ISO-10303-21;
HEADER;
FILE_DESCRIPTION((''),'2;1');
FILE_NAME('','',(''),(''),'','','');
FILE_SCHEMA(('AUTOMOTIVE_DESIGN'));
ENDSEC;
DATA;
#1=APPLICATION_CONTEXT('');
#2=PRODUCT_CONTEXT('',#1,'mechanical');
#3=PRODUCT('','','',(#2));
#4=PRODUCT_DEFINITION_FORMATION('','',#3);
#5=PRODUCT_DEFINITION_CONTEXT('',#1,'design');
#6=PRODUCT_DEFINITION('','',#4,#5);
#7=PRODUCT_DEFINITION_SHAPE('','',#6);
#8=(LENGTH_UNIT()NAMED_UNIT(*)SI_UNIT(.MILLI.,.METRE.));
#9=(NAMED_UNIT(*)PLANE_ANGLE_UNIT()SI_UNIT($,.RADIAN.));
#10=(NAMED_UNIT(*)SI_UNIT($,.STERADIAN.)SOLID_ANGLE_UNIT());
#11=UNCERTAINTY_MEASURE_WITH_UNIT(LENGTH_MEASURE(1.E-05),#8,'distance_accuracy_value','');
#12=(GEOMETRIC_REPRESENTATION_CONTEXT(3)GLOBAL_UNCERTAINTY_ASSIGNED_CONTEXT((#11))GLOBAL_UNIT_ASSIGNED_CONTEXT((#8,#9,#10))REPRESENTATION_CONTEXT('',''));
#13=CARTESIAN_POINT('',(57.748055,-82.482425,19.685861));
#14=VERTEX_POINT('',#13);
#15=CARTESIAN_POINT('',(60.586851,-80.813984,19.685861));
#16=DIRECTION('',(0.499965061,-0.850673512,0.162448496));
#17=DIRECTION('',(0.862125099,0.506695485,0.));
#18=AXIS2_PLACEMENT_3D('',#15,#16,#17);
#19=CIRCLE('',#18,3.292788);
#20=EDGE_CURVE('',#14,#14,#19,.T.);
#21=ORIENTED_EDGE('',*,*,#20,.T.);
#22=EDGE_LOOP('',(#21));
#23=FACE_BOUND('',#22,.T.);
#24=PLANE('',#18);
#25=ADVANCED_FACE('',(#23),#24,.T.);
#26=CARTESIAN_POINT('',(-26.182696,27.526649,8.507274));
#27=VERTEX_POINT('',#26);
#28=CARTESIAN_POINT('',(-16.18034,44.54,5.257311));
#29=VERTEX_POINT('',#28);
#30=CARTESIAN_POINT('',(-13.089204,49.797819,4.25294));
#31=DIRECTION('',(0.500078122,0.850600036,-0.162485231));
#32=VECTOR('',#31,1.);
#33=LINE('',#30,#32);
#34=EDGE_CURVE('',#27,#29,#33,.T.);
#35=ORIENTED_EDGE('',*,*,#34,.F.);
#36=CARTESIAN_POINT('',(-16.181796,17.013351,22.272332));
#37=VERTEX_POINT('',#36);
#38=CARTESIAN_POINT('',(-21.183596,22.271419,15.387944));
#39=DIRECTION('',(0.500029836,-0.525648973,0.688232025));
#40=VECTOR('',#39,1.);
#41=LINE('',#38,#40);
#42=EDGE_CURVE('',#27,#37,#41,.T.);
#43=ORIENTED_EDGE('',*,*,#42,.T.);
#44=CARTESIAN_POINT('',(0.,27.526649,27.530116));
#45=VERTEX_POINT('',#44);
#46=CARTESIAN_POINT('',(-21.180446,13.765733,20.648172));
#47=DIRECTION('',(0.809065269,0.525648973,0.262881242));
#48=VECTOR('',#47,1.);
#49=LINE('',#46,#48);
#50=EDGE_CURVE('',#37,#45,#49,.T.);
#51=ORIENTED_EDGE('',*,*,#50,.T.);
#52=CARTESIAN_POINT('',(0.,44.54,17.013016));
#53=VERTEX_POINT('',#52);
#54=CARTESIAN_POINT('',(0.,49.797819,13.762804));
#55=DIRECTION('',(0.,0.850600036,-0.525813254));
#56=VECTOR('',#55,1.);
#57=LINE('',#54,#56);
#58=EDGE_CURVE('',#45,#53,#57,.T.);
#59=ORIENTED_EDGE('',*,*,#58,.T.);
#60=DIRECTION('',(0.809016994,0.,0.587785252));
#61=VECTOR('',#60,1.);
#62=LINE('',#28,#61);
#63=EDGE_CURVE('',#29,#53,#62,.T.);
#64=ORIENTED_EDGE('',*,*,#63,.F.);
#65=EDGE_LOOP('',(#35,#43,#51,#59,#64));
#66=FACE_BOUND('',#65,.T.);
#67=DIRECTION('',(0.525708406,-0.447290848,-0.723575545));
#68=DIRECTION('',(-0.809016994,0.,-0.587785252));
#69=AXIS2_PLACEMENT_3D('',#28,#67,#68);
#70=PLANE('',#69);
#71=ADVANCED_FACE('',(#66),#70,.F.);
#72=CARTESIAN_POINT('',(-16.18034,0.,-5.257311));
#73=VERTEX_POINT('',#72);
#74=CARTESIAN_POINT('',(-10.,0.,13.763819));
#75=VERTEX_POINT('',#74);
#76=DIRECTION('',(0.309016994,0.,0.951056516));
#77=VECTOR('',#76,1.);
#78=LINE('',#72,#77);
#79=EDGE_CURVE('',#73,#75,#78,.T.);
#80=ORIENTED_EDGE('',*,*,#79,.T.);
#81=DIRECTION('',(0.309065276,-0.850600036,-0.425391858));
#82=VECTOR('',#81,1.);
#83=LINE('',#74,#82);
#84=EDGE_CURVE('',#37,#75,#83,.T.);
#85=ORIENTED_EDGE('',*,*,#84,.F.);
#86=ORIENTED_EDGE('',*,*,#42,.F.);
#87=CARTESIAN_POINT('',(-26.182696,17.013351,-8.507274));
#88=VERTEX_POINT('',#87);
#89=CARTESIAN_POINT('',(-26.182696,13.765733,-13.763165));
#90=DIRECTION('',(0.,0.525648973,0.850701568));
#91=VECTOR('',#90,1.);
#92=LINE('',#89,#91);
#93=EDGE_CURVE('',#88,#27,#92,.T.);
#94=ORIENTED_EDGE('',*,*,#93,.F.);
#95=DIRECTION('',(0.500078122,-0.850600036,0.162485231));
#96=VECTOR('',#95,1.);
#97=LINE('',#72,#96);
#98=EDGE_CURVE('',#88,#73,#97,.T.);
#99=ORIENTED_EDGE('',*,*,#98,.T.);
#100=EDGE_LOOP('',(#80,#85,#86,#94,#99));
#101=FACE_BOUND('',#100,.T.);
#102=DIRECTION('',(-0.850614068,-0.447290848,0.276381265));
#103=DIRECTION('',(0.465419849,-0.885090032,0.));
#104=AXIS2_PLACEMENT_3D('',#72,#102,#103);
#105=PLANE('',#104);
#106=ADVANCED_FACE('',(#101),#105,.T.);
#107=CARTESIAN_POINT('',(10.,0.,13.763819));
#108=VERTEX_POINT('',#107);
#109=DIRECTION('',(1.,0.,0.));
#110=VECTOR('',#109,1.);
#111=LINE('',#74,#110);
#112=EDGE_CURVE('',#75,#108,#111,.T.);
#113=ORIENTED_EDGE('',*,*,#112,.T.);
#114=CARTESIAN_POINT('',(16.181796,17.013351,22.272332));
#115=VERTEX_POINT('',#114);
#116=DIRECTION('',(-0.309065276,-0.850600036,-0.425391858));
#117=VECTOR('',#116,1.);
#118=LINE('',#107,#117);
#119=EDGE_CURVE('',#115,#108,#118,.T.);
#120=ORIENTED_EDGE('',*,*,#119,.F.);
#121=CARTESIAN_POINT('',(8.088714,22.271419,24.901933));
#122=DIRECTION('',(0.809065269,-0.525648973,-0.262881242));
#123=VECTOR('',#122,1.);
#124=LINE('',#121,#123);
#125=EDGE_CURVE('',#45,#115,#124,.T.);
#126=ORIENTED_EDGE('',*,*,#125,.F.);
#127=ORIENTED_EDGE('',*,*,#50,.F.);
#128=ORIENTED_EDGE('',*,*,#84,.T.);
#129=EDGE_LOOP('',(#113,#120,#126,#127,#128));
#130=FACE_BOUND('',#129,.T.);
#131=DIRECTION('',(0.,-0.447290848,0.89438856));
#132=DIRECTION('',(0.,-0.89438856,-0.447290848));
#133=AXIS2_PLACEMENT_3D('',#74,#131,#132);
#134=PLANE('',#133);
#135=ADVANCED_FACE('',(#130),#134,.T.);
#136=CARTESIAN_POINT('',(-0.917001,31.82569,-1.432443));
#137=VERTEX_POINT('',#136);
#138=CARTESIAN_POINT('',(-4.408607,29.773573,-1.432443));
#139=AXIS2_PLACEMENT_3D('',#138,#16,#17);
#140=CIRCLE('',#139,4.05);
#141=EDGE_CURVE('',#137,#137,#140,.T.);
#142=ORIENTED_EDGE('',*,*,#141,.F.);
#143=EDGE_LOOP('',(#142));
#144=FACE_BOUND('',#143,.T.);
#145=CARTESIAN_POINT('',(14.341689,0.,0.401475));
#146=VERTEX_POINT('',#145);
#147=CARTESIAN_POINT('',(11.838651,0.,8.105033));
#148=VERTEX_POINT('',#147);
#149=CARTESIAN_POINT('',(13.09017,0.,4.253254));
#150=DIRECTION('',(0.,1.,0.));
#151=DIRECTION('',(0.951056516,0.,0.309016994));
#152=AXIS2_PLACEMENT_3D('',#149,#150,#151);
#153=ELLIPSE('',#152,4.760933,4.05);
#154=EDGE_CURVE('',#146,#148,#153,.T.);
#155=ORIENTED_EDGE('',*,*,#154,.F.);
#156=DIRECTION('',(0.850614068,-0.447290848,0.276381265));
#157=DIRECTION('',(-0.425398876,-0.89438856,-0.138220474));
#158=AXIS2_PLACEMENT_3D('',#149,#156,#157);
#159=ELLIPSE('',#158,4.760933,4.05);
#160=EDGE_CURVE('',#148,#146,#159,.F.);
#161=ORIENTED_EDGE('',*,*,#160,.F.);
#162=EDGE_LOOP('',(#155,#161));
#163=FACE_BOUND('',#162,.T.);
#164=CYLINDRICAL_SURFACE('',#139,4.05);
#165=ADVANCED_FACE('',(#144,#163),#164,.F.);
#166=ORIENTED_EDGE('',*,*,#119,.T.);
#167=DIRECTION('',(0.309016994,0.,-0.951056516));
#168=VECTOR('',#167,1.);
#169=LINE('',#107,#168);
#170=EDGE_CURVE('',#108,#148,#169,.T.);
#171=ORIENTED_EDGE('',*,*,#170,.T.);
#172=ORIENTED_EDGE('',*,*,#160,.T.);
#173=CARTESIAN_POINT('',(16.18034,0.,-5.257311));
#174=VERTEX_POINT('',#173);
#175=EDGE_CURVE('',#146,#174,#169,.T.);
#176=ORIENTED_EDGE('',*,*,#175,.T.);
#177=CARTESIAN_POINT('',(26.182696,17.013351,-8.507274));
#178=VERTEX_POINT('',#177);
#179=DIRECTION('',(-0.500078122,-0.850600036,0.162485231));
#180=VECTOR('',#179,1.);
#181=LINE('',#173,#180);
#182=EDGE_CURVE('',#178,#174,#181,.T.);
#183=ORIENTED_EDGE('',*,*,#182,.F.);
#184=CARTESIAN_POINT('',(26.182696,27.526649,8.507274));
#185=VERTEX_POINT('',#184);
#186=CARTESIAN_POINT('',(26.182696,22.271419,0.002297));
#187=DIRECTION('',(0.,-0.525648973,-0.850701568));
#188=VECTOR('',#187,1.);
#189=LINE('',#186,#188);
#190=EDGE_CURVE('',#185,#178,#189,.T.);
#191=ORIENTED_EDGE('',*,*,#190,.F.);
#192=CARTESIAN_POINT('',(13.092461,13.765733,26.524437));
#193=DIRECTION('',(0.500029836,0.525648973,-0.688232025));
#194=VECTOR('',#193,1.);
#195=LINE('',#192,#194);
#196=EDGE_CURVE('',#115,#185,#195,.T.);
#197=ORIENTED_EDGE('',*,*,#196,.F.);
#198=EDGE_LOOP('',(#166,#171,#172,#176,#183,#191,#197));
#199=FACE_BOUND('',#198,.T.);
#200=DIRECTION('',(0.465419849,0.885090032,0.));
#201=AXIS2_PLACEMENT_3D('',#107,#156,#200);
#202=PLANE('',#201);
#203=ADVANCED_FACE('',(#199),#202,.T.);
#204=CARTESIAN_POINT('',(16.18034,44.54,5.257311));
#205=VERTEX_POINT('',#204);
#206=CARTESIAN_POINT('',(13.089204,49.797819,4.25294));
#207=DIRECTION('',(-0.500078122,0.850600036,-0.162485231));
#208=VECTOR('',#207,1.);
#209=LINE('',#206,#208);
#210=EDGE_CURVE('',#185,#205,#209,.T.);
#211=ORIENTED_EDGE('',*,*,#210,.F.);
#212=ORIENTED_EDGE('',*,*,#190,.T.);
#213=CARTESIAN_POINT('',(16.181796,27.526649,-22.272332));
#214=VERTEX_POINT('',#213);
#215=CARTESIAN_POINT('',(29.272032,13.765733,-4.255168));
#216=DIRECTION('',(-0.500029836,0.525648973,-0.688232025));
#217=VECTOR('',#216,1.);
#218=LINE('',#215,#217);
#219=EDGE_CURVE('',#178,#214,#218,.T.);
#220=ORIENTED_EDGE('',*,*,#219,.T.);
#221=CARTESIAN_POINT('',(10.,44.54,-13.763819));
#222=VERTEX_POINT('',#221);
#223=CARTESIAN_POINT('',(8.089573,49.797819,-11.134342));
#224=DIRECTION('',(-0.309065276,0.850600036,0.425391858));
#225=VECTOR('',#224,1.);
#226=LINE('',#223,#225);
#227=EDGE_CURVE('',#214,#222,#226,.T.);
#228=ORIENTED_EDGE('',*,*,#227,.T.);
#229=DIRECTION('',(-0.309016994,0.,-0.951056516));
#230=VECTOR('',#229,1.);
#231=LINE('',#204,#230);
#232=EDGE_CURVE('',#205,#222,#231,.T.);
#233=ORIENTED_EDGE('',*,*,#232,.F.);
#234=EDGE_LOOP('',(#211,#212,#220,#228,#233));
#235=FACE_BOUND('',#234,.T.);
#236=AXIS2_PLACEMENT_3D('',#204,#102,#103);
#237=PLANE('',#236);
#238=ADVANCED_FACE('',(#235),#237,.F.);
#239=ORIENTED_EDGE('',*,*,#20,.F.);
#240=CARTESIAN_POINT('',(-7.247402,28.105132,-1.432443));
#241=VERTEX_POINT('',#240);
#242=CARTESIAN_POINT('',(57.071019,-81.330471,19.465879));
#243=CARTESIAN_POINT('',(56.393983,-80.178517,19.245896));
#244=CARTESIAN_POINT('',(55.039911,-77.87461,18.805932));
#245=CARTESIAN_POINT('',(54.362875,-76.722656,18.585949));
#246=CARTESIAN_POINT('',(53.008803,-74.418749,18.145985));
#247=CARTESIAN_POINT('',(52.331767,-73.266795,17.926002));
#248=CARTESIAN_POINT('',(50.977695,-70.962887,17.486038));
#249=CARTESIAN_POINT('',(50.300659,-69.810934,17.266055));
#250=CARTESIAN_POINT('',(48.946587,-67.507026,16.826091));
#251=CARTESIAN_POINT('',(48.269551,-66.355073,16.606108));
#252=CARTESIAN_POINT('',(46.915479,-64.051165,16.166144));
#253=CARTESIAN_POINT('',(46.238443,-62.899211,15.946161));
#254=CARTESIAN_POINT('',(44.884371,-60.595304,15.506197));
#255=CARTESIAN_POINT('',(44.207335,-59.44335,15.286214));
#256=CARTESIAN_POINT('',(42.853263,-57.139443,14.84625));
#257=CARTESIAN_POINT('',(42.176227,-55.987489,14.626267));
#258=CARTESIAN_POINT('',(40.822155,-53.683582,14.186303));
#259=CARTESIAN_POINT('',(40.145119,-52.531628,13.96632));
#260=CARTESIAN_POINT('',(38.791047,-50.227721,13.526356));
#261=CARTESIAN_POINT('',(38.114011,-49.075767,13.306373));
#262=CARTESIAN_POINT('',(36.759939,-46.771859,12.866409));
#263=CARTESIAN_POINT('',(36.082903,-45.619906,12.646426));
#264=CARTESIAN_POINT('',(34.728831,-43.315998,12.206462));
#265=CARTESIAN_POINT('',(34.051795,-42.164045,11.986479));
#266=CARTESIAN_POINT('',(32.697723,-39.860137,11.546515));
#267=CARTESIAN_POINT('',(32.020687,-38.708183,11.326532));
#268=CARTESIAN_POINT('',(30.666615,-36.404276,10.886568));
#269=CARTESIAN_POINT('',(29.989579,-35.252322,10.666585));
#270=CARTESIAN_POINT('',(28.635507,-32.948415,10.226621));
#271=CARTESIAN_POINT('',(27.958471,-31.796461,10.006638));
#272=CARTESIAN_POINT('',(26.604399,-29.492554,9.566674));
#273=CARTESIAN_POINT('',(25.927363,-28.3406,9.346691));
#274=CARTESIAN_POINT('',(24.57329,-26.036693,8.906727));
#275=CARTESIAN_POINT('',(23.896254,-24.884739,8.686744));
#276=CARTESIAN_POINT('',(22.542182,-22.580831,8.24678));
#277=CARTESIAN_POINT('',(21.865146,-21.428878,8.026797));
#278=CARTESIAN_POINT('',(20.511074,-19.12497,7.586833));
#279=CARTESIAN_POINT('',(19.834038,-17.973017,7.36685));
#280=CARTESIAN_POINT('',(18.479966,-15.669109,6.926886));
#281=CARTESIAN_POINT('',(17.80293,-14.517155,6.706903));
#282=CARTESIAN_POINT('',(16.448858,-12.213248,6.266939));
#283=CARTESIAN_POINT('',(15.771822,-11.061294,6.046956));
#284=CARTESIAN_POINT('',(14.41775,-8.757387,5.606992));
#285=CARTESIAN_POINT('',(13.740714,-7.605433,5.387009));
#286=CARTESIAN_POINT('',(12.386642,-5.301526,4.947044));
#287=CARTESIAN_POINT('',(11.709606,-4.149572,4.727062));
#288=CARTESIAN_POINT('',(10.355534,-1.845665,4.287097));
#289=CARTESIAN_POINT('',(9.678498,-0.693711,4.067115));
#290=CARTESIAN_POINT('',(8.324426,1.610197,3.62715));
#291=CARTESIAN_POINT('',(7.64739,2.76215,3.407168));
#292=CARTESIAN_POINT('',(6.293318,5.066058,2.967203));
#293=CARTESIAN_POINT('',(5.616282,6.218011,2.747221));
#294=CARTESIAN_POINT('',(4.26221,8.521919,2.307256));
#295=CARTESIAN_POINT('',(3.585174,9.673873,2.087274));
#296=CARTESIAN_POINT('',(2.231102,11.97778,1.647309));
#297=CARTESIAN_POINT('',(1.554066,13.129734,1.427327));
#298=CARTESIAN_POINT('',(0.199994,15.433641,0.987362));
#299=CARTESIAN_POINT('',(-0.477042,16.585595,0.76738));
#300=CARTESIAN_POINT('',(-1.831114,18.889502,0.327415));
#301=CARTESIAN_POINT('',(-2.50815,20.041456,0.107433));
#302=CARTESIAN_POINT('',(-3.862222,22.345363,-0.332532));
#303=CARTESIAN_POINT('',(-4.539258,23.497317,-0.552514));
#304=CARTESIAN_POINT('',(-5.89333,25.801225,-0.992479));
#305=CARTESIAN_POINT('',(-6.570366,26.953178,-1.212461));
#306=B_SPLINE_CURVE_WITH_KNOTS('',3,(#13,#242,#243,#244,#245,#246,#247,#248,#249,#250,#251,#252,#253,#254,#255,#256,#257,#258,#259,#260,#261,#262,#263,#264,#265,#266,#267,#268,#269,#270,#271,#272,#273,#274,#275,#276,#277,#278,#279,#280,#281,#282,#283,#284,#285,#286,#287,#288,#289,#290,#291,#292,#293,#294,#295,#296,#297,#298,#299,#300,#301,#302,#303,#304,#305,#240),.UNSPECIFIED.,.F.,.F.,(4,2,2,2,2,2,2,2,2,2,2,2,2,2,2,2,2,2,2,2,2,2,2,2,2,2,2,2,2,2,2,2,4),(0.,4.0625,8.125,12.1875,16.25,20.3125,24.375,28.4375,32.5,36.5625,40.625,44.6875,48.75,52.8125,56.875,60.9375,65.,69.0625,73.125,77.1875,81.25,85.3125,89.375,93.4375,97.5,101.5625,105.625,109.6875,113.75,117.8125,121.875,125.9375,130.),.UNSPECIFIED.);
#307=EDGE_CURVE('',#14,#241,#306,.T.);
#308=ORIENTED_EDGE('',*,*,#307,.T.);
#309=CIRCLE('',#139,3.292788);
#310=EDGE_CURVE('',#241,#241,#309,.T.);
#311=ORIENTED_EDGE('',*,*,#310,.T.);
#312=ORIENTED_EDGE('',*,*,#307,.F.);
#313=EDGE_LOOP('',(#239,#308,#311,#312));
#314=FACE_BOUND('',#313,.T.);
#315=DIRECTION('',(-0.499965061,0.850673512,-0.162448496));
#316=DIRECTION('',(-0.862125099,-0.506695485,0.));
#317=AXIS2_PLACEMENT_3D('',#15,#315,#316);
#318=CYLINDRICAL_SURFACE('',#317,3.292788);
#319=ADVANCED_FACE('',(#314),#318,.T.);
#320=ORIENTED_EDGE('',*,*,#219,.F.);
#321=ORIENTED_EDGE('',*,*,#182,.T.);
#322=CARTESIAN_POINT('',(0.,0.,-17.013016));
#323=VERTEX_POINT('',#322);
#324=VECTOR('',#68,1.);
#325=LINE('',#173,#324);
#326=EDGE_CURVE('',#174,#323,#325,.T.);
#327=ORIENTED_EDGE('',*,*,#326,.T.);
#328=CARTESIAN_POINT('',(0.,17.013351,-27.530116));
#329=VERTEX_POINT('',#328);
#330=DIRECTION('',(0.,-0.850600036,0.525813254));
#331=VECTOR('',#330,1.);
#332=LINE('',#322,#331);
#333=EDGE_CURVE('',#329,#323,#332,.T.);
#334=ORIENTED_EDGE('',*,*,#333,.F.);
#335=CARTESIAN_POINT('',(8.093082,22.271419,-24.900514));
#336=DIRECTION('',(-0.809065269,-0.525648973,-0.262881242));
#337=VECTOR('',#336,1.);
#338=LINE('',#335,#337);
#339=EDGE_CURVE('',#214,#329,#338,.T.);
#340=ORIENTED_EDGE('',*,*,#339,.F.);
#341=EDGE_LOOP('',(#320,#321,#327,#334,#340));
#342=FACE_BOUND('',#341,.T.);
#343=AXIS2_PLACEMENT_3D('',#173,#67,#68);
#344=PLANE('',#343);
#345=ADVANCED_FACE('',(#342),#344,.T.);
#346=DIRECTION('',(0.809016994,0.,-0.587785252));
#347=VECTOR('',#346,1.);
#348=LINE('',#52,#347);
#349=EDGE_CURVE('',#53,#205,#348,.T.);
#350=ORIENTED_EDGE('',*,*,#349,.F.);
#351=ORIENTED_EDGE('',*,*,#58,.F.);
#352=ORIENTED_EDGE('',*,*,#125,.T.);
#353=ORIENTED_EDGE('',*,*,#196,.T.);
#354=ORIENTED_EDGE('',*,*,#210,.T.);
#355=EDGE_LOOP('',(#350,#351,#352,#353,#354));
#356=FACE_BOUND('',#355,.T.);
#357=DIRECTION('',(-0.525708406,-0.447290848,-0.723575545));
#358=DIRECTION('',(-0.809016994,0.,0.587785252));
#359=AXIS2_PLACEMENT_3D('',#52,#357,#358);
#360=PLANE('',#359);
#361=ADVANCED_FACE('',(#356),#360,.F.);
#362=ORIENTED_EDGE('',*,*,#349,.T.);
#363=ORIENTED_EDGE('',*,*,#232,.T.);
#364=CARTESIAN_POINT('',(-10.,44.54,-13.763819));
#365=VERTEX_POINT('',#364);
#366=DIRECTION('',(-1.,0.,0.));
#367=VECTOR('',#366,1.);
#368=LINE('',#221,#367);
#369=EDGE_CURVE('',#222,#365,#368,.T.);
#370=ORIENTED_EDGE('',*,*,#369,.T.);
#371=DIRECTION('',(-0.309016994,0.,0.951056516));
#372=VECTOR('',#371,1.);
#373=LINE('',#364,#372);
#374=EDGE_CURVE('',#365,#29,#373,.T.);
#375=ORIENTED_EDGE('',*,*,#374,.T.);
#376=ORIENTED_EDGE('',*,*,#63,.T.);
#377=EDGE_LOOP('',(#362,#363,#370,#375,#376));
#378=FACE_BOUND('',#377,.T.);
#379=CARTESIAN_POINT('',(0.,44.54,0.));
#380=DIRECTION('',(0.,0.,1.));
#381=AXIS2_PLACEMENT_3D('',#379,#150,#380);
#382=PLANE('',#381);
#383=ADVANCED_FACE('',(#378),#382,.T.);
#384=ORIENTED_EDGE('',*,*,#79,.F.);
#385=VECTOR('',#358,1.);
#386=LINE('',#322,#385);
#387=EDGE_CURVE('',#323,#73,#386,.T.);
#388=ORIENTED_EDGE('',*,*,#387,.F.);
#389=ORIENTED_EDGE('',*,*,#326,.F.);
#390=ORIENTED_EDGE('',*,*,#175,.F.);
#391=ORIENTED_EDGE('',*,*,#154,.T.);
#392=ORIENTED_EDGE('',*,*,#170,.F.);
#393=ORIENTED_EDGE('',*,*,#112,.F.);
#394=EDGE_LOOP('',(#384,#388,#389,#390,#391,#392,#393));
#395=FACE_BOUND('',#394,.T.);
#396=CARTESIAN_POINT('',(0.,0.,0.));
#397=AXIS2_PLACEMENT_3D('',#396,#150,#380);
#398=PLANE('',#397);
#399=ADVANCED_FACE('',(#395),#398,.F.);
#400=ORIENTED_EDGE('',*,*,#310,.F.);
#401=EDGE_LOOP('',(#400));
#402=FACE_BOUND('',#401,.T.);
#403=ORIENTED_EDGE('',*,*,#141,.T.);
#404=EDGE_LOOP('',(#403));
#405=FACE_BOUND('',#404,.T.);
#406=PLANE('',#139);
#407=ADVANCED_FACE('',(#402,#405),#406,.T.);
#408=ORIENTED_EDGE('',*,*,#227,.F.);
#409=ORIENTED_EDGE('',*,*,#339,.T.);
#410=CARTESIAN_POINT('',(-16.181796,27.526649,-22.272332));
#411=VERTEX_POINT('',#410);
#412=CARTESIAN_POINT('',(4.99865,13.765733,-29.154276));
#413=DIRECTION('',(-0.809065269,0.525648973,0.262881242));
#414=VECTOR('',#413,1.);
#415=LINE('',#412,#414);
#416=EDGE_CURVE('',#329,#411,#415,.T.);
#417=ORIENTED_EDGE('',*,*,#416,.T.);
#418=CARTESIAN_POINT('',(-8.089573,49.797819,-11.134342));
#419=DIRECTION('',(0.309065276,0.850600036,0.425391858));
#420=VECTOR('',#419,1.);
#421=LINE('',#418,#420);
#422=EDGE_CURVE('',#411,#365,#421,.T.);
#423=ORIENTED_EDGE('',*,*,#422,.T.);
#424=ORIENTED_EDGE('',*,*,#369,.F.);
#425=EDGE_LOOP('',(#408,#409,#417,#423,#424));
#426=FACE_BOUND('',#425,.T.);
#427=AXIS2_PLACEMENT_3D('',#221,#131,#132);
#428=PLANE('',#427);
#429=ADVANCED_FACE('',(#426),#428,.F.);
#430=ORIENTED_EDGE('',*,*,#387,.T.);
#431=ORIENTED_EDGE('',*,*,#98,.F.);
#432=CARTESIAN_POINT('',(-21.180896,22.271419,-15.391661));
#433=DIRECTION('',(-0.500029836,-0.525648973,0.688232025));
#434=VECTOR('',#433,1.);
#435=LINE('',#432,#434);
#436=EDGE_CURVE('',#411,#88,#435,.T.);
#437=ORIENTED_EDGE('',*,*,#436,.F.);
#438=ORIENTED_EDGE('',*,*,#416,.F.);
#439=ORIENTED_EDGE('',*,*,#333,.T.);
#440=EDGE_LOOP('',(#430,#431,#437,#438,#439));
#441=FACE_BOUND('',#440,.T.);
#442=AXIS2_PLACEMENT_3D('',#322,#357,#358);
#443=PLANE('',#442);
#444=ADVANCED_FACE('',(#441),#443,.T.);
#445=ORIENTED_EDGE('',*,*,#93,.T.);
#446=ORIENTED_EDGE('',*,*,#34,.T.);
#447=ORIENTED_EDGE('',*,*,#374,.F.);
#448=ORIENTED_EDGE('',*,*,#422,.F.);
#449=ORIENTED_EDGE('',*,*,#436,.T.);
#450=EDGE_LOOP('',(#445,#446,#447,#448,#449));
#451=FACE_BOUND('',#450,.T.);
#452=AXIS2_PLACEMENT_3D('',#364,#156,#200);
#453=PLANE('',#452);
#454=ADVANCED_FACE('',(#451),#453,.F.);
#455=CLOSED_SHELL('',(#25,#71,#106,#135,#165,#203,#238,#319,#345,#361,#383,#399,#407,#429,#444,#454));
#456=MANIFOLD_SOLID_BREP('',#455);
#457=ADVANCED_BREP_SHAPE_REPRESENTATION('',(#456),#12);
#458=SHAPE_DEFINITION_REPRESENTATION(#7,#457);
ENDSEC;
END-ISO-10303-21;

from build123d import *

# Parameters (mm, degrees)
BOSS_EXTRUDE1_DEPTH = 44.54
BOSS_EXTRUDE1_TAPER = -26.57
SKETCH2_OUTSIDE_W   = 156.308
SKETCH2_OUTSIDE_H   = 152.161
CUT_EXTRUDE1_DEPTH  = 44.54
CUT_EXTRUDE1_TAPER  = 26.57
SKETCH3_R           = 4.05
CUT_EXTRUDE2_DEPTH  = 35
SKETCH4_R           = 3.292788119
BOSS_EXTRUDE2_DEPTH = 130


with BuildPart() as part:
    # Sketch1 → Boss-Extrude1 (new body)
    with BuildSketch(Plane(origin=(0, 0, 0), x_dir=(1, 0, 0), z_dir=(0, 1, 0))):
        Polygon((0, 17.013016167), (-16.180339887, 5.257311121), (-10, -13.763819205), (10, -13.763819205), (16.180339887, 5.257311121), align=None)
    extrude(amount=BOSS_EXTRUDE1_DEPTH, taper=BOSS_EXTRUDE1_TAPER)

    # Sketch2 outside → Cut-Extrude1 (cut)
    with BuildSketch(Plane(origin=(0, 44.54, 0), x_dir=(1, 0, 0), z_dir=(0, 1, 0))):
        with Locations((0, 4.2535)):
            Rectangle(SKETCH2_OUTSIDE_W, SKETCH2_OUTSIDE_H)
        Polygon((0, -17.013016167), (16.180339887, -5.257311121), (10, 13.763819205), (-10, 13.763819205), (-16.180339887, -5.257311121), align=None, mode=Mode.SUBTRACT)
    extrude(amount=-CUT_EXTRUDE1_DEPTH, taper=CUT_EXTRUDE1_TAPER, mode=Mode.SUBTRACT)

    # Sketch3 → Cut-Extrude2 (cut)
    with BuildSketch(Plane(origin=(3.617528362, -6.155101222, 1.175406216), x_dir=(0.4408232334814932, 0.08851114782998275, -0.8932192639731522), z_dir=(0.49996506081853154, -0.8506735121122296, 0.16244849568822295))):
        with Locations(Location((1.971362597, 11.541364145, 0), (0, 0, 64.856110881))):
            Circle(SKETCH3_R)
    extrude(amount=-CUT_EXTRUDE2_DEPTH, mode=Mode.SUBTRACT)

    # Sketch4 → Boss-Extrude2 (add)
    with BuildSketch(Plane(origin=(-13.881248767, 23.618471702, -4.510291133), x_dir=(0.8660455749905556, 0.49109082304882484, -0.09378094452769076), z_dir=(0.49996506081853154, -0.8506735121122294, 0.16244849568822292))):
        with Locations(Location((10.937809574, 4.177759991, 0), (0, 0, 185.453817967))):
            Circle(SKETCH4_R)
    extrude(amount=BOSS_EXTRUDE2_DEPTH)


solid = part.part
